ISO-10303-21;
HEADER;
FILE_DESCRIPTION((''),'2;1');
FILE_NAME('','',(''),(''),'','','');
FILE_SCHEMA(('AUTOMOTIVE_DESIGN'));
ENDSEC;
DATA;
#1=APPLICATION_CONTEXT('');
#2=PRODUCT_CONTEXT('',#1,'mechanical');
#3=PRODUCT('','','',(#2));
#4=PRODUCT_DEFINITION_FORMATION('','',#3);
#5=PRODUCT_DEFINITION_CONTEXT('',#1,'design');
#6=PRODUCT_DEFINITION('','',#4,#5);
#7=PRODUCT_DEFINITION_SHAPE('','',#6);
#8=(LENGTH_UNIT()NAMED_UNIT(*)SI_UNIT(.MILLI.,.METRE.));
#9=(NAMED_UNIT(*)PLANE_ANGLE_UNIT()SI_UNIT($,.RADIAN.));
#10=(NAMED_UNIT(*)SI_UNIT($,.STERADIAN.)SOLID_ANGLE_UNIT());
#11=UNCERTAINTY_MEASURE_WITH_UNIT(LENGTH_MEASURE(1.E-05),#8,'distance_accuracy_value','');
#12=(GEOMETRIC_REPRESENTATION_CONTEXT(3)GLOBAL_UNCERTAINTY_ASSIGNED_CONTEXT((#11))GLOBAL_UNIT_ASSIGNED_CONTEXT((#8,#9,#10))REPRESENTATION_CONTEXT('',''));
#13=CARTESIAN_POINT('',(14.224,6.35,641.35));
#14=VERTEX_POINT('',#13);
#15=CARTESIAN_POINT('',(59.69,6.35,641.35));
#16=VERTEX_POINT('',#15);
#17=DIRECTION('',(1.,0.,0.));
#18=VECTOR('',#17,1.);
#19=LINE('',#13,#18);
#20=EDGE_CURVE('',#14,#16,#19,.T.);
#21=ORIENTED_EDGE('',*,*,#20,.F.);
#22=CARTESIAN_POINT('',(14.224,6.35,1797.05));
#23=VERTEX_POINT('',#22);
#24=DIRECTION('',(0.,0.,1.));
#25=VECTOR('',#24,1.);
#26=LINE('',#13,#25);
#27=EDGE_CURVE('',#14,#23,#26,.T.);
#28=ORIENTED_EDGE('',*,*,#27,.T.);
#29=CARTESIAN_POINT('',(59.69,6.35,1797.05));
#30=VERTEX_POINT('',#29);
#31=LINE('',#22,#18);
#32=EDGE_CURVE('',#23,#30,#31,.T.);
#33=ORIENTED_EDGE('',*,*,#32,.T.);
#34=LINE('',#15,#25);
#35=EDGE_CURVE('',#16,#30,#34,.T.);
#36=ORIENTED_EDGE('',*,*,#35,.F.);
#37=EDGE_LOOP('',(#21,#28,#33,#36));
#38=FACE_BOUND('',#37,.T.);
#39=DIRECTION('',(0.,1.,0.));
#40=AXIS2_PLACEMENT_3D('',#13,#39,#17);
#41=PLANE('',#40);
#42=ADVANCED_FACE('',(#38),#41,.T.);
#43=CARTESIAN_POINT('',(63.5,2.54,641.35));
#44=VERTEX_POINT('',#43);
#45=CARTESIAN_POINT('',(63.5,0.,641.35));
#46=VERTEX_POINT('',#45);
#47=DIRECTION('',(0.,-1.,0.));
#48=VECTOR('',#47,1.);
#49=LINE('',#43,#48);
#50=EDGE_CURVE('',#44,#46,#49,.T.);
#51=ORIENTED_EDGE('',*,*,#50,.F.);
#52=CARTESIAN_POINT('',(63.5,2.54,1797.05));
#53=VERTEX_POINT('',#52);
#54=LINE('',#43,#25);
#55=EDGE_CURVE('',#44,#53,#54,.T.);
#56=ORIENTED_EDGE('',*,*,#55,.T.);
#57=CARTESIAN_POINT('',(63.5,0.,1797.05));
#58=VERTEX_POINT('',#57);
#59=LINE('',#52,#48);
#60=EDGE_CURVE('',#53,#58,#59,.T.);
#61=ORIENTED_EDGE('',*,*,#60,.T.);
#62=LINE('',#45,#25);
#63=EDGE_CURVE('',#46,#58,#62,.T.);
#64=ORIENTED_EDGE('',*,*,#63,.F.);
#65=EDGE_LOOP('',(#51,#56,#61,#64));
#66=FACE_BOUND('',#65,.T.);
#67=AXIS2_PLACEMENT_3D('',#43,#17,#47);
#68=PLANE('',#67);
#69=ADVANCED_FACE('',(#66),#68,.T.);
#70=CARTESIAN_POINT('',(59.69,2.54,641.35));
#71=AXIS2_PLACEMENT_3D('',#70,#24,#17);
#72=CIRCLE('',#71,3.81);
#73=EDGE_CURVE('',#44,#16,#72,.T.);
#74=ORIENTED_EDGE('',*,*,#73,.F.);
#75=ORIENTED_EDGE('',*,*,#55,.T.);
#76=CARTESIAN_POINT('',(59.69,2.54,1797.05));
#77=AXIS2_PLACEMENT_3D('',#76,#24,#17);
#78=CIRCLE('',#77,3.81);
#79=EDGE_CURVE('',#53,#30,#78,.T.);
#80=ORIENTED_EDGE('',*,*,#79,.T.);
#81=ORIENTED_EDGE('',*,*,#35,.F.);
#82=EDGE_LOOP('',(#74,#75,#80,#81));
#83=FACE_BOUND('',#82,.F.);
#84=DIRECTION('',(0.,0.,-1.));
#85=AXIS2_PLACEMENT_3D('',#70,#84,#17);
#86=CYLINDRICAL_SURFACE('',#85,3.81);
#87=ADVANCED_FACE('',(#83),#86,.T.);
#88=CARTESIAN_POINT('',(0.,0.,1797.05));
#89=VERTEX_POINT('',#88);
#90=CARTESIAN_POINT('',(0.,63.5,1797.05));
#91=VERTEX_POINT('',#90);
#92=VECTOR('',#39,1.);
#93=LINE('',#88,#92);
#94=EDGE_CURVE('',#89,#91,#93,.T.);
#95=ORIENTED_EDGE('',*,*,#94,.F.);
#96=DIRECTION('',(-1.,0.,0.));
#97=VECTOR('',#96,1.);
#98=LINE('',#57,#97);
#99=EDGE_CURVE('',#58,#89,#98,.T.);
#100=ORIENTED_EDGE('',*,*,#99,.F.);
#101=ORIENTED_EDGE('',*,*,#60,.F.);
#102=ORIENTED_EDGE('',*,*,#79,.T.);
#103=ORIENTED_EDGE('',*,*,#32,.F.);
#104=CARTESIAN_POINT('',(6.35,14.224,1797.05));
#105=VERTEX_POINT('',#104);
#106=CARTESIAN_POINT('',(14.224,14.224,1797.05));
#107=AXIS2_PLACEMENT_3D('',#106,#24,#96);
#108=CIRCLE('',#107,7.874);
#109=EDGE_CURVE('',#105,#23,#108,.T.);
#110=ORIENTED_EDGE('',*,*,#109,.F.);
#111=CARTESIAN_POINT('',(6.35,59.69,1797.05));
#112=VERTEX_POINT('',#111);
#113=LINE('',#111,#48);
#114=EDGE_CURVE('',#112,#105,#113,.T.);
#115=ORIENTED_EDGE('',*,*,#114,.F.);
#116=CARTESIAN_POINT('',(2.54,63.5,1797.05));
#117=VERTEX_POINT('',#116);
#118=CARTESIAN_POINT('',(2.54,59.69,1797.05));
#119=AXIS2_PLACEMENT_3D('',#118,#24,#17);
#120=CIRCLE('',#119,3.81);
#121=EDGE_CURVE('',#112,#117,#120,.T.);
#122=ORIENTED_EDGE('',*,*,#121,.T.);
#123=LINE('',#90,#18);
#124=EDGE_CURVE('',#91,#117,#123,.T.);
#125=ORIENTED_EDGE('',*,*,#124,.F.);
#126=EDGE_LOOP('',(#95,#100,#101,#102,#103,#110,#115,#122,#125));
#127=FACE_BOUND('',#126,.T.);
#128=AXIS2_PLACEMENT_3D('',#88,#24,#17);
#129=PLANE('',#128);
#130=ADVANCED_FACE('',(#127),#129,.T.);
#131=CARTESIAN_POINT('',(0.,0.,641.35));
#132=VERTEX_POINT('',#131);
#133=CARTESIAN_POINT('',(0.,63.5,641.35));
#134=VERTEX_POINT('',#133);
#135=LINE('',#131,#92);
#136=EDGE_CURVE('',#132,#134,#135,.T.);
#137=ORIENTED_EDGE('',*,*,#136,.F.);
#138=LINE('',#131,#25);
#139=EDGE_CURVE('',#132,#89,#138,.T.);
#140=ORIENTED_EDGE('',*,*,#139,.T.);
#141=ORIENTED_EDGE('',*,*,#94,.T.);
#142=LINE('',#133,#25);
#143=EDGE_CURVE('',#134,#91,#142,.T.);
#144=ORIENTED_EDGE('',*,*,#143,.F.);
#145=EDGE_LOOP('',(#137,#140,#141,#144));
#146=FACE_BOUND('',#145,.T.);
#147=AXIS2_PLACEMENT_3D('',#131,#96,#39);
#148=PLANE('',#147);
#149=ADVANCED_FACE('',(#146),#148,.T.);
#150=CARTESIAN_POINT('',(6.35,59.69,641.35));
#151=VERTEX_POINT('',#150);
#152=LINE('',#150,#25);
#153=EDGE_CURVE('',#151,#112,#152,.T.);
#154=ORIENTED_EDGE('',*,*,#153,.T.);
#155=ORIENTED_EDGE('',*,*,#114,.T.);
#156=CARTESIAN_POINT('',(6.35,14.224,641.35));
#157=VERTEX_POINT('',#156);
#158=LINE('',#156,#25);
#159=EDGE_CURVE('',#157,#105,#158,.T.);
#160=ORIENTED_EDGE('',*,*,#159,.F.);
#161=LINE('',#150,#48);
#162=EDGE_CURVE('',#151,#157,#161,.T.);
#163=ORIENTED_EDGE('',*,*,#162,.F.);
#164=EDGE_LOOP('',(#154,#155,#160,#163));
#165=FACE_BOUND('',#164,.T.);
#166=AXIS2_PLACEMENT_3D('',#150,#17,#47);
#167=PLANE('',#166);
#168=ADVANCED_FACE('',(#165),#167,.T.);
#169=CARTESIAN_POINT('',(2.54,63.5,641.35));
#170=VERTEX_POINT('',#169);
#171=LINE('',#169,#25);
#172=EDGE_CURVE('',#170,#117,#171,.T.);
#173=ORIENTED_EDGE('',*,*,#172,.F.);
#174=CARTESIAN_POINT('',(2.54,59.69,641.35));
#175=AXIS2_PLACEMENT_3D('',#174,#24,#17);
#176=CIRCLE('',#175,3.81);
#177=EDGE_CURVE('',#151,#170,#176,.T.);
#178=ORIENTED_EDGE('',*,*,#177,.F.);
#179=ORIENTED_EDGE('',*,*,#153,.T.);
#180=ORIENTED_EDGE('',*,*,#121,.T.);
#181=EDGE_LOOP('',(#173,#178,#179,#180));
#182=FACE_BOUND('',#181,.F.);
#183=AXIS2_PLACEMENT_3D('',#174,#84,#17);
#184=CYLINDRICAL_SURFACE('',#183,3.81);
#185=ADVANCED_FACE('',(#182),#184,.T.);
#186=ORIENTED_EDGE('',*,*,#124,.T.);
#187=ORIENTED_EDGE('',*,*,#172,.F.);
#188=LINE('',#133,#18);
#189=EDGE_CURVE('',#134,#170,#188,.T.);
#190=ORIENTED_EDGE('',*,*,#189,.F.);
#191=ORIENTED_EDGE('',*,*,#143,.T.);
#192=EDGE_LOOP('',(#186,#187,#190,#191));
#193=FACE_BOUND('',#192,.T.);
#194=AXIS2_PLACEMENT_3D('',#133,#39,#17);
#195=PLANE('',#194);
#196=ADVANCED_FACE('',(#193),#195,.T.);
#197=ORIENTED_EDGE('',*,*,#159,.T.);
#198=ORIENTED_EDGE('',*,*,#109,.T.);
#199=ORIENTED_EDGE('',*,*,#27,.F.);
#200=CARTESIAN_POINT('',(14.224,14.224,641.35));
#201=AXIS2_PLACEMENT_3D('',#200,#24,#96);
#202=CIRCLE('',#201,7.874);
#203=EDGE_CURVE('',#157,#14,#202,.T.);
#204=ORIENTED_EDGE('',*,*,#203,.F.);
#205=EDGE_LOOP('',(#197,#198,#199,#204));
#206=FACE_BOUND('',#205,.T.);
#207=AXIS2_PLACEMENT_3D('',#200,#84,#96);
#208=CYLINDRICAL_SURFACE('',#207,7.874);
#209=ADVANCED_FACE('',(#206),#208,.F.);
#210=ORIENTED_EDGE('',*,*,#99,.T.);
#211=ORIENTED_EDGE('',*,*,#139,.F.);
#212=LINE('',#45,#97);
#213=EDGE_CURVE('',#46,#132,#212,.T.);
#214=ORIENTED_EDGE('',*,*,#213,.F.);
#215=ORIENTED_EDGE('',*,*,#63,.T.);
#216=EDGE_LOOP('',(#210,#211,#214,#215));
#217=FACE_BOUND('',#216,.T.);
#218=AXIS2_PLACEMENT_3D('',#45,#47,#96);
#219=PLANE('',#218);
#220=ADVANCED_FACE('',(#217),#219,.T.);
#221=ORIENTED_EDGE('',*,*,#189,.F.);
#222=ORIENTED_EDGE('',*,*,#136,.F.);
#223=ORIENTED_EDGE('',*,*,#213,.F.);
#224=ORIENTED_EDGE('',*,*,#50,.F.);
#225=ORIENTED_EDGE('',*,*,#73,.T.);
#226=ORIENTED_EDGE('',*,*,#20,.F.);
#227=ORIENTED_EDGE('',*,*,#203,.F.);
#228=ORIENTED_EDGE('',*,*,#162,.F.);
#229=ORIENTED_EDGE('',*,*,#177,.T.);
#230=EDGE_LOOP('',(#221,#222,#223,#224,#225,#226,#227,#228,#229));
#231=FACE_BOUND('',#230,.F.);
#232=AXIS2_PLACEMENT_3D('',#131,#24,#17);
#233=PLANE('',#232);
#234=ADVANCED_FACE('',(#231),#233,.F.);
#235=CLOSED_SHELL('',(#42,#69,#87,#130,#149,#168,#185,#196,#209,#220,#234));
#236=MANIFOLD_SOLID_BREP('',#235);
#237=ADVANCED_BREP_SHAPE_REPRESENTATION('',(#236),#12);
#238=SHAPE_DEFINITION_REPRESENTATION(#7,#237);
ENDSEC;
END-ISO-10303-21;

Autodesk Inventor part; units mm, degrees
ref_plane "YZ Plane" through (0, 0, 0) normal (1, 0, 0) x (0, 1, 0)
ref_plane "Start plane" through (0, 0, 641.35) normal (0, 0, 1) x (1, 0, 0)
ref_plane "End plane" through (0, 0, 1797.05) normal (0, 0, 1) x (1, 0, 0)
sketch "Sketch" plane through (0, 0, 0) normal (0, 0, 1) x (1, 0, 0)
  line L0 (63.5, 0) -> (0, 0)
  line L1 (0, 0) -> (0, 63.5)
  line L2 (0, 63.5) -> (2.54, 63.5)
  line L3 (6.35, 59.69) -> (6.35, 14.224)
  line L4 (14.224, 6.35) -> (59.69, 6.35)
  line L5 (63.5, 2.54) -> (63.5, 0)
  line L6 (0, -11.0414) -> (0, 31.5385) construction
  line L7 (-11.0414, 0) -> (31.5385, 0) construction
  arc A0 (6.35, 14.224) -> (14.224, 6.35) centre (14.224, 14.224) ccw
  arc A1 (6.35, 59.69) -> (2.54, 63.5) centre (2.54, 59.69) ccw
  arc A2 (63.5, 2.54) -> (59.69, 6.35) centre (59.69, 2.54) ccw
  line L8 (0, 79.3552) -> (0, -26.1075) construction
  line L9 (-26.1075, 0) -> (79.3552, 0) construction
  point P0 (6.35, 63.5)
  point P1 (6.35, 6.35)
  point P2 (63.5, 6.35)
  dimension "d0" = 63.5
  dimension "d1" = 63.5
  dimension "d2" = 6.35
  dimension "d3" = 6.35
  dimension "d10" = 0
  dimension "d11" = 0
  dimension "d14" = 7.874
  dimension "d15" = 3.81
extrude "Body" add sketch "Sketch" along normal up to surface (1155.7 mm away) from surface at 641.35
sketch "Sketch3" plane through (0, 0, 0) normal (0, 0, 1) x (1, 0, 0)
  line L0 (0, 0) -> (10, 0)
ref_plane "Work Plane3" through (0, 0, 0) normal (0, -1, 0) x (1, 0, 0)
sketch "Sketch4" plane through (0, 0, 0) normal (0, -1, 0) x (1, 0, 0)
  line L0 (-2, 641.35) -> (12, 641.35)
  line L1 (-2, 1797.05) -> (12, 1797.05)
  dimension "d17" = 1155.7
equation "\"d0\" = G_H"
equation "\"d1\" = G_H"
equation "\"d2\" = G_T"
equation "\"d3\" = G_T"
equation "\"d14\" = G_IR"
equation "\"d15\" = G_ER"
equation "\"d4\" = G_L"
equation "\"G_H\" = 63.5"
equation "\"G_T\" = 6.35"
equation "\"G_ER\" = 3.81"
equation "\"G_IR\" = 7.874"
equation "\"G_L\" = d17"
equation "\"ex\" = 0"
equation "\"G_OFFSET_START\" = -641.35"
equation "\"G_OFFSET_END\" = -641.35"
equation "\"d12\" = -G_OFFSET_START"
equation "\"d13\" = G_OFFSET_END + B_L"
equation "\"B_L\" = 2438.4"
properties part number "AISC - L 2.5 x 2.5 x 1/4 - 45.5" material "Steel, Mild"
